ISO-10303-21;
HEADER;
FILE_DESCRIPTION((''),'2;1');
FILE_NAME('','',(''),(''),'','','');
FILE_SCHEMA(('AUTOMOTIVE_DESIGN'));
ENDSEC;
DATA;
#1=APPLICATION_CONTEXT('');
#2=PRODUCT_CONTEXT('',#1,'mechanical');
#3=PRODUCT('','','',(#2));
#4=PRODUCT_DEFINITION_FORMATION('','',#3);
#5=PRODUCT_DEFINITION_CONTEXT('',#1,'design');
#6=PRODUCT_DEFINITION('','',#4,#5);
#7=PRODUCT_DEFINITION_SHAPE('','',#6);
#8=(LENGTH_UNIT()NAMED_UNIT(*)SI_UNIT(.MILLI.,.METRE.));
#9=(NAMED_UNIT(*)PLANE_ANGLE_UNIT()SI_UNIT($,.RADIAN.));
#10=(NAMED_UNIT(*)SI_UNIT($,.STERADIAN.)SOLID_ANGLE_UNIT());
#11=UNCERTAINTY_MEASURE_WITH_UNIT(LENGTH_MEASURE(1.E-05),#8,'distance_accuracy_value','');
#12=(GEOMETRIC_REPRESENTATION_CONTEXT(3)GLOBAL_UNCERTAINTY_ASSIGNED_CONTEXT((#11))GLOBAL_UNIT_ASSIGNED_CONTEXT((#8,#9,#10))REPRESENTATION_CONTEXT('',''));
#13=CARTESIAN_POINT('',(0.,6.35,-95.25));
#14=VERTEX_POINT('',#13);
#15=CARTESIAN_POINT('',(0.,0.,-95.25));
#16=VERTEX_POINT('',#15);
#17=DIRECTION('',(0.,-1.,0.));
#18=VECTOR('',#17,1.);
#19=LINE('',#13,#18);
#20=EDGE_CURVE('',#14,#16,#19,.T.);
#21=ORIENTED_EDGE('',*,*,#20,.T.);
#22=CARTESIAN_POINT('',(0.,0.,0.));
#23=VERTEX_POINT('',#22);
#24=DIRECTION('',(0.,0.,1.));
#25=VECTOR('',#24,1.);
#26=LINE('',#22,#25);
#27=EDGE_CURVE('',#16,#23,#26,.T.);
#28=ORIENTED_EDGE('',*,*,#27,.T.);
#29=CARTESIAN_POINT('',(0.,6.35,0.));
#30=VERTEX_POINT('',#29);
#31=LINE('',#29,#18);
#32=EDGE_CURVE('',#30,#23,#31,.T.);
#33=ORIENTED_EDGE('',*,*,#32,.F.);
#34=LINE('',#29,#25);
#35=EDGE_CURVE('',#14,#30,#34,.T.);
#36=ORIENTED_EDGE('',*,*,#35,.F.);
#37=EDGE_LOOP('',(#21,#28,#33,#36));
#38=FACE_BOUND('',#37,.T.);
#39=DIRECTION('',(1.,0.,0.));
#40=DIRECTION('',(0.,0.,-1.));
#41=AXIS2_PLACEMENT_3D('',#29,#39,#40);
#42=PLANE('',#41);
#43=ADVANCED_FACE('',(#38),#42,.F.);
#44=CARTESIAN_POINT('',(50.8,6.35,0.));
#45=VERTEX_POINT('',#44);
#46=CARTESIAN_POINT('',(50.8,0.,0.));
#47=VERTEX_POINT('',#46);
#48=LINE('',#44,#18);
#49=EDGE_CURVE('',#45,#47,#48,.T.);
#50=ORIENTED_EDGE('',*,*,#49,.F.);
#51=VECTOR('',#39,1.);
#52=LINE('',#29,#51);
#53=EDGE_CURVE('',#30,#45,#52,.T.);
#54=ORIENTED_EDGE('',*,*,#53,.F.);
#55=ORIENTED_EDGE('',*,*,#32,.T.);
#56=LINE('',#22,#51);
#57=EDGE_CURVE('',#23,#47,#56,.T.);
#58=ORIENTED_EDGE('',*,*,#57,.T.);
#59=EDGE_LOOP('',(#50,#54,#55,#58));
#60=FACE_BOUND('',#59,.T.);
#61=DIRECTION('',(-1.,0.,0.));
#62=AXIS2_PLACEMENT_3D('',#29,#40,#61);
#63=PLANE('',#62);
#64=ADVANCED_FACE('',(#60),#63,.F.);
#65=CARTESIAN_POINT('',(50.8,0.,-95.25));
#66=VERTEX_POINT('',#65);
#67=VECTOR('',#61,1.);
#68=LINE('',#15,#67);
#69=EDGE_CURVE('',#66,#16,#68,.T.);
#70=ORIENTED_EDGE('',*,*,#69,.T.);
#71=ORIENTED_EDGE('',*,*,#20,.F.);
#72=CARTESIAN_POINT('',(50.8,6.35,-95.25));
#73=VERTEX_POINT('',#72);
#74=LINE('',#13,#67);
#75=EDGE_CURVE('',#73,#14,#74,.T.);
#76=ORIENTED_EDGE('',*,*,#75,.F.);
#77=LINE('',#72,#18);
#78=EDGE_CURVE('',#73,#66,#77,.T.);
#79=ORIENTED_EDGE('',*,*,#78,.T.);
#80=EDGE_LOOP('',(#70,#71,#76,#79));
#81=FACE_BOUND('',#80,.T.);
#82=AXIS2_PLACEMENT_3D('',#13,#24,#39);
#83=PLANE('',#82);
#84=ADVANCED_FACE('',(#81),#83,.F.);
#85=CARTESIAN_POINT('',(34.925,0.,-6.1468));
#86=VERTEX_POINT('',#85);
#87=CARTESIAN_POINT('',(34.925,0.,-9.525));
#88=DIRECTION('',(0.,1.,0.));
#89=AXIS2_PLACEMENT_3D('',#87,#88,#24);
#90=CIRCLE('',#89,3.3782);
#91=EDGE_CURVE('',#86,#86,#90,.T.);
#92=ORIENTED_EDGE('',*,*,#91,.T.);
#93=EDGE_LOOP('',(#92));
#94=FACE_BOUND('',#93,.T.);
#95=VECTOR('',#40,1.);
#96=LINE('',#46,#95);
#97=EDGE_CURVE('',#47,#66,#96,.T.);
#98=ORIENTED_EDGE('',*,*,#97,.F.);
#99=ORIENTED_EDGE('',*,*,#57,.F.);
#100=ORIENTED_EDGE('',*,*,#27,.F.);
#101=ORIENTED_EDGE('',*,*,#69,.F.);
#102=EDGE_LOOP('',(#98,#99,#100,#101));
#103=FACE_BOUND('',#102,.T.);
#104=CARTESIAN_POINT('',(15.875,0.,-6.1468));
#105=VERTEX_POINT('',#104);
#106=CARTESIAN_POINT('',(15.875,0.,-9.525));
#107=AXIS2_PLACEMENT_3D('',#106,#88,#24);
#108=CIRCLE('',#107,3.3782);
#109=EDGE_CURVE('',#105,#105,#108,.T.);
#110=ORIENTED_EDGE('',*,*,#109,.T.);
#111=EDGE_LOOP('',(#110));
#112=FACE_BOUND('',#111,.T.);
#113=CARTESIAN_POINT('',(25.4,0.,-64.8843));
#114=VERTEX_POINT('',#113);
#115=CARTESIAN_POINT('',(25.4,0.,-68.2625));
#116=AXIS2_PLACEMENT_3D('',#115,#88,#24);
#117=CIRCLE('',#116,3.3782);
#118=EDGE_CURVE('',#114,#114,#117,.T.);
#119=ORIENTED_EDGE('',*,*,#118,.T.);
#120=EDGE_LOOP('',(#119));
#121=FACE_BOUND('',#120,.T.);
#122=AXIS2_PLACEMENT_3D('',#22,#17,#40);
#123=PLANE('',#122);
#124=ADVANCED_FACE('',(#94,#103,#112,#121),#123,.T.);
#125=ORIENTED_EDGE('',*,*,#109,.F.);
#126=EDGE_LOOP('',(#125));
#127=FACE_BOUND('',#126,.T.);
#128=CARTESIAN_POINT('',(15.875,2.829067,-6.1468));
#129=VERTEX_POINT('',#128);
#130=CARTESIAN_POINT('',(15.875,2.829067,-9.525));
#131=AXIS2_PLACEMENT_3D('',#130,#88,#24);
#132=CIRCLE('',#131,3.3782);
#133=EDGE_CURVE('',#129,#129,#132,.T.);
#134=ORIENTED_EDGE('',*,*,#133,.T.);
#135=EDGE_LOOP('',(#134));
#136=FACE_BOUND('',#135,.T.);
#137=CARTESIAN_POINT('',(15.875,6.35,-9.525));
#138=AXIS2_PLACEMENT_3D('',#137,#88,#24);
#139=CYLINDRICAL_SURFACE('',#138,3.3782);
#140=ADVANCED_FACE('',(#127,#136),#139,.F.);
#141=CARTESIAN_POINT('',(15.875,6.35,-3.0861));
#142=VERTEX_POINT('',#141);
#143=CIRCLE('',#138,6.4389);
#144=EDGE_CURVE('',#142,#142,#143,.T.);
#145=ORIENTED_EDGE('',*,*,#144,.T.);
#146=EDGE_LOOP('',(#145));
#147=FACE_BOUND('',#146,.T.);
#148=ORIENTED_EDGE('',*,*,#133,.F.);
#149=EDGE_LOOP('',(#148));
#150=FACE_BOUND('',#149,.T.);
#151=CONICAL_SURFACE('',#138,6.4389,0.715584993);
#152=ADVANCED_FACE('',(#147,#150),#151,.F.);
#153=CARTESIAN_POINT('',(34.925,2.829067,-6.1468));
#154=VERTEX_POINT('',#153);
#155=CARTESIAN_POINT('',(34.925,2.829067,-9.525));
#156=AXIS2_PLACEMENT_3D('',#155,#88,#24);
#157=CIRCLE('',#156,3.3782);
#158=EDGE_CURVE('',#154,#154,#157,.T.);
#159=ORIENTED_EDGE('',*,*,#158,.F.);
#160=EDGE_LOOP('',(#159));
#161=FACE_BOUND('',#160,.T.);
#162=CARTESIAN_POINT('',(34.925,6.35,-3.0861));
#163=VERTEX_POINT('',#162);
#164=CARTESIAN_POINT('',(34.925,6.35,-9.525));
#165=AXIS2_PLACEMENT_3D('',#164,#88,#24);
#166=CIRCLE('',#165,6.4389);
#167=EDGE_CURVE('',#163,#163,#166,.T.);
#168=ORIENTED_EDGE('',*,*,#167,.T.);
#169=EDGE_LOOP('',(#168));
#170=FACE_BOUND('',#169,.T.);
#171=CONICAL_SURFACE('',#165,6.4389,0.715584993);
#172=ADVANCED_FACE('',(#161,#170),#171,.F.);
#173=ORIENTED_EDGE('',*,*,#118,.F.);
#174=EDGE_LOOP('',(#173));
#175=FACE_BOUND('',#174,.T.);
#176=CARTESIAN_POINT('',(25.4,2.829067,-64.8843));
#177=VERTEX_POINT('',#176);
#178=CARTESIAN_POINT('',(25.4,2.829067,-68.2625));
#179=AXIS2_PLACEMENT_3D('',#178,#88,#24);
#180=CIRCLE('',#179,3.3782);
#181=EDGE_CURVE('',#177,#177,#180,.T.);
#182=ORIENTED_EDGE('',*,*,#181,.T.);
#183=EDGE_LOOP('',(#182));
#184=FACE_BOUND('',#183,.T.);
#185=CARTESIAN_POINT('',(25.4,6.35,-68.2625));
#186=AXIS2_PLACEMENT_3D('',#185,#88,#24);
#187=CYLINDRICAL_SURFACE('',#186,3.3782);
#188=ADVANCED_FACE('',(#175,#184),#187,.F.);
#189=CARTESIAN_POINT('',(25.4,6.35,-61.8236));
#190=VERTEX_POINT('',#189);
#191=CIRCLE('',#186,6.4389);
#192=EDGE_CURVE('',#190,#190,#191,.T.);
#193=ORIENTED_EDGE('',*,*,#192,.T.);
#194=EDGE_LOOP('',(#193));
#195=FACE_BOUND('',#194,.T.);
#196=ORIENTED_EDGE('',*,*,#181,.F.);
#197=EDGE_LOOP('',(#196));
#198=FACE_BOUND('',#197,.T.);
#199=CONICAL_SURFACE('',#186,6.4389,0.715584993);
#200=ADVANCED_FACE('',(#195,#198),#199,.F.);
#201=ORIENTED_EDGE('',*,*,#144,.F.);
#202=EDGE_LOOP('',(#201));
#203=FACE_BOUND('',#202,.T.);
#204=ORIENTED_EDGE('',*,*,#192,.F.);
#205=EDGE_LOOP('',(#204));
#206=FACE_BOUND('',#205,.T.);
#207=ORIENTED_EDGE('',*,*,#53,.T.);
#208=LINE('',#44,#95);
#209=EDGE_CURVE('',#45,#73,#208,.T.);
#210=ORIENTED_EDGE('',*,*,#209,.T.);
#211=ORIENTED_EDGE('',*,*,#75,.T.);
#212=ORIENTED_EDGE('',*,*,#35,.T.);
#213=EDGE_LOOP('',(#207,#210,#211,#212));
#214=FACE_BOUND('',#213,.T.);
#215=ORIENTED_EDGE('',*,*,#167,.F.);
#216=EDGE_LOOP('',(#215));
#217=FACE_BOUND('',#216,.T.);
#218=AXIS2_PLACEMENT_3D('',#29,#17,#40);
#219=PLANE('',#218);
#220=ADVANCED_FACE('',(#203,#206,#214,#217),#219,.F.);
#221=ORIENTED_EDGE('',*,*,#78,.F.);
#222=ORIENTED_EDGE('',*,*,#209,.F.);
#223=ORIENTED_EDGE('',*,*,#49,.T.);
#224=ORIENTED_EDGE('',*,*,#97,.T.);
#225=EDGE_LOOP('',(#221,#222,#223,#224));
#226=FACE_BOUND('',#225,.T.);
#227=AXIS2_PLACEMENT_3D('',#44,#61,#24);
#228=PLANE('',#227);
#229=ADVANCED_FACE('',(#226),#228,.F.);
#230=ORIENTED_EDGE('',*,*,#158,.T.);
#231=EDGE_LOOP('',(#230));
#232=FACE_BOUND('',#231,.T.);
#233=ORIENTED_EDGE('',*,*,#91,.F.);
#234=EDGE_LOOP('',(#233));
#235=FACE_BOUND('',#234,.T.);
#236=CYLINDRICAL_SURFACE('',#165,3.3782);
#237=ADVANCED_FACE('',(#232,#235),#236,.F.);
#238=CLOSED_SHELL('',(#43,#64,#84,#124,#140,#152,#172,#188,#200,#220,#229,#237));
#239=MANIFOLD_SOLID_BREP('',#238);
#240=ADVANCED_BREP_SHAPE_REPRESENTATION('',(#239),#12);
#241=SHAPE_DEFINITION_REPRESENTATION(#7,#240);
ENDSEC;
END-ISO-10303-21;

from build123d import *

# Parameters (mm, degrees)
SKETCH1_W                                     = 50.8
SKETCH1_H                                     = 95.25
BOSS_EXTRUDE1_DEPTH                           = 6.35
CSK_FOR_1_4_FLAT_HEAD_MACHINE_SCREW1_AT_COUNT = 2
CSK_FOR_1_4_FLAT_HEAD_MACHINE_SCREW1_AT_PITCH = 59.504785784
CSK_FOR_1_4_FLAT_HEAD_MACHINE_SCREW1_2_COUNT  = 2
CSK_FOR_1_4_FLAT_HEAD_MACHINE_SCREW1_2_PITCH  = 59.504785784


with BuildPart() as part:
    # Sketch1 → Boss-Extrude1 (new body)
    with BuildSketch(Plane(origin=(0, 0, 0), x_dir=(1, 0, 0), z_dir=(0, 1, 0))):
        with Locations((25.4, 47.625)):
            Rectangle(SKETCH1_W, SKETCH1_H)
    extrude(amount=BOSS_EXTRUDE1_DEPTH)

    # Sketch4 → CSK for 1/4 Flat Head Machine Screw1 (revolve, cut)
    with BuildSketch(Plane(origin=(25.4, 6.35, -68.2625), x_dir=(0, 0, 1), z_dir=(1, 0, 0))):
        Polygon((0, 0), (0, 6.35), (3.3782, 6.35), (3.3782, 3.520932584), (6.4389, 0), align=None)
    csk_for_1_4_flat_head_machine_screw1 = revolve(axis=Axis((25.4, 12.7, -68.2625), (0, -1, 0)), mode=Mode.SUBTRACT)

    # CSK for 1/4 Flat Head Machine Screw1 at: CSK for 1/4 Flat Head Machine Screw1 ×2
    with Locations(*[Vector(-0.16007115855366244, 0, 0.9871054777475852) * (i * CSK_FOR_1_4_FLAT_HEAD_MACHINE_SCREW1_AT_PITCH) for i in range(1, CSK_FOR_1_4_FLAT_HEAD_MACHINE_SCREW1_AT_COUNT)]):
        add(csk_for_1_4_flat_head_machine_screw1, mode=Mode.SUBTRACT)

    # CSK for 1_4 Flat Head Machine Screw1 2: CSK for 1/4 Flat Head Machine Screw1 ×2
    with Locations(*[Vector(0.16007115855366244, 0, 0.9871054777475852) * (i * CSK_FOR_1_4_FLAT_HEAD_MACHINE_SCREW1_2_PITCH) for i in range(1, CSK_FOR_1_4_FLAT_HEAD_MACHINE_SCREW1_2_COUNT)]):
        add(csk_for_1_4_flat_head_machine_screw1, mode=Mode.SUBTRACT)


solid = part.part
